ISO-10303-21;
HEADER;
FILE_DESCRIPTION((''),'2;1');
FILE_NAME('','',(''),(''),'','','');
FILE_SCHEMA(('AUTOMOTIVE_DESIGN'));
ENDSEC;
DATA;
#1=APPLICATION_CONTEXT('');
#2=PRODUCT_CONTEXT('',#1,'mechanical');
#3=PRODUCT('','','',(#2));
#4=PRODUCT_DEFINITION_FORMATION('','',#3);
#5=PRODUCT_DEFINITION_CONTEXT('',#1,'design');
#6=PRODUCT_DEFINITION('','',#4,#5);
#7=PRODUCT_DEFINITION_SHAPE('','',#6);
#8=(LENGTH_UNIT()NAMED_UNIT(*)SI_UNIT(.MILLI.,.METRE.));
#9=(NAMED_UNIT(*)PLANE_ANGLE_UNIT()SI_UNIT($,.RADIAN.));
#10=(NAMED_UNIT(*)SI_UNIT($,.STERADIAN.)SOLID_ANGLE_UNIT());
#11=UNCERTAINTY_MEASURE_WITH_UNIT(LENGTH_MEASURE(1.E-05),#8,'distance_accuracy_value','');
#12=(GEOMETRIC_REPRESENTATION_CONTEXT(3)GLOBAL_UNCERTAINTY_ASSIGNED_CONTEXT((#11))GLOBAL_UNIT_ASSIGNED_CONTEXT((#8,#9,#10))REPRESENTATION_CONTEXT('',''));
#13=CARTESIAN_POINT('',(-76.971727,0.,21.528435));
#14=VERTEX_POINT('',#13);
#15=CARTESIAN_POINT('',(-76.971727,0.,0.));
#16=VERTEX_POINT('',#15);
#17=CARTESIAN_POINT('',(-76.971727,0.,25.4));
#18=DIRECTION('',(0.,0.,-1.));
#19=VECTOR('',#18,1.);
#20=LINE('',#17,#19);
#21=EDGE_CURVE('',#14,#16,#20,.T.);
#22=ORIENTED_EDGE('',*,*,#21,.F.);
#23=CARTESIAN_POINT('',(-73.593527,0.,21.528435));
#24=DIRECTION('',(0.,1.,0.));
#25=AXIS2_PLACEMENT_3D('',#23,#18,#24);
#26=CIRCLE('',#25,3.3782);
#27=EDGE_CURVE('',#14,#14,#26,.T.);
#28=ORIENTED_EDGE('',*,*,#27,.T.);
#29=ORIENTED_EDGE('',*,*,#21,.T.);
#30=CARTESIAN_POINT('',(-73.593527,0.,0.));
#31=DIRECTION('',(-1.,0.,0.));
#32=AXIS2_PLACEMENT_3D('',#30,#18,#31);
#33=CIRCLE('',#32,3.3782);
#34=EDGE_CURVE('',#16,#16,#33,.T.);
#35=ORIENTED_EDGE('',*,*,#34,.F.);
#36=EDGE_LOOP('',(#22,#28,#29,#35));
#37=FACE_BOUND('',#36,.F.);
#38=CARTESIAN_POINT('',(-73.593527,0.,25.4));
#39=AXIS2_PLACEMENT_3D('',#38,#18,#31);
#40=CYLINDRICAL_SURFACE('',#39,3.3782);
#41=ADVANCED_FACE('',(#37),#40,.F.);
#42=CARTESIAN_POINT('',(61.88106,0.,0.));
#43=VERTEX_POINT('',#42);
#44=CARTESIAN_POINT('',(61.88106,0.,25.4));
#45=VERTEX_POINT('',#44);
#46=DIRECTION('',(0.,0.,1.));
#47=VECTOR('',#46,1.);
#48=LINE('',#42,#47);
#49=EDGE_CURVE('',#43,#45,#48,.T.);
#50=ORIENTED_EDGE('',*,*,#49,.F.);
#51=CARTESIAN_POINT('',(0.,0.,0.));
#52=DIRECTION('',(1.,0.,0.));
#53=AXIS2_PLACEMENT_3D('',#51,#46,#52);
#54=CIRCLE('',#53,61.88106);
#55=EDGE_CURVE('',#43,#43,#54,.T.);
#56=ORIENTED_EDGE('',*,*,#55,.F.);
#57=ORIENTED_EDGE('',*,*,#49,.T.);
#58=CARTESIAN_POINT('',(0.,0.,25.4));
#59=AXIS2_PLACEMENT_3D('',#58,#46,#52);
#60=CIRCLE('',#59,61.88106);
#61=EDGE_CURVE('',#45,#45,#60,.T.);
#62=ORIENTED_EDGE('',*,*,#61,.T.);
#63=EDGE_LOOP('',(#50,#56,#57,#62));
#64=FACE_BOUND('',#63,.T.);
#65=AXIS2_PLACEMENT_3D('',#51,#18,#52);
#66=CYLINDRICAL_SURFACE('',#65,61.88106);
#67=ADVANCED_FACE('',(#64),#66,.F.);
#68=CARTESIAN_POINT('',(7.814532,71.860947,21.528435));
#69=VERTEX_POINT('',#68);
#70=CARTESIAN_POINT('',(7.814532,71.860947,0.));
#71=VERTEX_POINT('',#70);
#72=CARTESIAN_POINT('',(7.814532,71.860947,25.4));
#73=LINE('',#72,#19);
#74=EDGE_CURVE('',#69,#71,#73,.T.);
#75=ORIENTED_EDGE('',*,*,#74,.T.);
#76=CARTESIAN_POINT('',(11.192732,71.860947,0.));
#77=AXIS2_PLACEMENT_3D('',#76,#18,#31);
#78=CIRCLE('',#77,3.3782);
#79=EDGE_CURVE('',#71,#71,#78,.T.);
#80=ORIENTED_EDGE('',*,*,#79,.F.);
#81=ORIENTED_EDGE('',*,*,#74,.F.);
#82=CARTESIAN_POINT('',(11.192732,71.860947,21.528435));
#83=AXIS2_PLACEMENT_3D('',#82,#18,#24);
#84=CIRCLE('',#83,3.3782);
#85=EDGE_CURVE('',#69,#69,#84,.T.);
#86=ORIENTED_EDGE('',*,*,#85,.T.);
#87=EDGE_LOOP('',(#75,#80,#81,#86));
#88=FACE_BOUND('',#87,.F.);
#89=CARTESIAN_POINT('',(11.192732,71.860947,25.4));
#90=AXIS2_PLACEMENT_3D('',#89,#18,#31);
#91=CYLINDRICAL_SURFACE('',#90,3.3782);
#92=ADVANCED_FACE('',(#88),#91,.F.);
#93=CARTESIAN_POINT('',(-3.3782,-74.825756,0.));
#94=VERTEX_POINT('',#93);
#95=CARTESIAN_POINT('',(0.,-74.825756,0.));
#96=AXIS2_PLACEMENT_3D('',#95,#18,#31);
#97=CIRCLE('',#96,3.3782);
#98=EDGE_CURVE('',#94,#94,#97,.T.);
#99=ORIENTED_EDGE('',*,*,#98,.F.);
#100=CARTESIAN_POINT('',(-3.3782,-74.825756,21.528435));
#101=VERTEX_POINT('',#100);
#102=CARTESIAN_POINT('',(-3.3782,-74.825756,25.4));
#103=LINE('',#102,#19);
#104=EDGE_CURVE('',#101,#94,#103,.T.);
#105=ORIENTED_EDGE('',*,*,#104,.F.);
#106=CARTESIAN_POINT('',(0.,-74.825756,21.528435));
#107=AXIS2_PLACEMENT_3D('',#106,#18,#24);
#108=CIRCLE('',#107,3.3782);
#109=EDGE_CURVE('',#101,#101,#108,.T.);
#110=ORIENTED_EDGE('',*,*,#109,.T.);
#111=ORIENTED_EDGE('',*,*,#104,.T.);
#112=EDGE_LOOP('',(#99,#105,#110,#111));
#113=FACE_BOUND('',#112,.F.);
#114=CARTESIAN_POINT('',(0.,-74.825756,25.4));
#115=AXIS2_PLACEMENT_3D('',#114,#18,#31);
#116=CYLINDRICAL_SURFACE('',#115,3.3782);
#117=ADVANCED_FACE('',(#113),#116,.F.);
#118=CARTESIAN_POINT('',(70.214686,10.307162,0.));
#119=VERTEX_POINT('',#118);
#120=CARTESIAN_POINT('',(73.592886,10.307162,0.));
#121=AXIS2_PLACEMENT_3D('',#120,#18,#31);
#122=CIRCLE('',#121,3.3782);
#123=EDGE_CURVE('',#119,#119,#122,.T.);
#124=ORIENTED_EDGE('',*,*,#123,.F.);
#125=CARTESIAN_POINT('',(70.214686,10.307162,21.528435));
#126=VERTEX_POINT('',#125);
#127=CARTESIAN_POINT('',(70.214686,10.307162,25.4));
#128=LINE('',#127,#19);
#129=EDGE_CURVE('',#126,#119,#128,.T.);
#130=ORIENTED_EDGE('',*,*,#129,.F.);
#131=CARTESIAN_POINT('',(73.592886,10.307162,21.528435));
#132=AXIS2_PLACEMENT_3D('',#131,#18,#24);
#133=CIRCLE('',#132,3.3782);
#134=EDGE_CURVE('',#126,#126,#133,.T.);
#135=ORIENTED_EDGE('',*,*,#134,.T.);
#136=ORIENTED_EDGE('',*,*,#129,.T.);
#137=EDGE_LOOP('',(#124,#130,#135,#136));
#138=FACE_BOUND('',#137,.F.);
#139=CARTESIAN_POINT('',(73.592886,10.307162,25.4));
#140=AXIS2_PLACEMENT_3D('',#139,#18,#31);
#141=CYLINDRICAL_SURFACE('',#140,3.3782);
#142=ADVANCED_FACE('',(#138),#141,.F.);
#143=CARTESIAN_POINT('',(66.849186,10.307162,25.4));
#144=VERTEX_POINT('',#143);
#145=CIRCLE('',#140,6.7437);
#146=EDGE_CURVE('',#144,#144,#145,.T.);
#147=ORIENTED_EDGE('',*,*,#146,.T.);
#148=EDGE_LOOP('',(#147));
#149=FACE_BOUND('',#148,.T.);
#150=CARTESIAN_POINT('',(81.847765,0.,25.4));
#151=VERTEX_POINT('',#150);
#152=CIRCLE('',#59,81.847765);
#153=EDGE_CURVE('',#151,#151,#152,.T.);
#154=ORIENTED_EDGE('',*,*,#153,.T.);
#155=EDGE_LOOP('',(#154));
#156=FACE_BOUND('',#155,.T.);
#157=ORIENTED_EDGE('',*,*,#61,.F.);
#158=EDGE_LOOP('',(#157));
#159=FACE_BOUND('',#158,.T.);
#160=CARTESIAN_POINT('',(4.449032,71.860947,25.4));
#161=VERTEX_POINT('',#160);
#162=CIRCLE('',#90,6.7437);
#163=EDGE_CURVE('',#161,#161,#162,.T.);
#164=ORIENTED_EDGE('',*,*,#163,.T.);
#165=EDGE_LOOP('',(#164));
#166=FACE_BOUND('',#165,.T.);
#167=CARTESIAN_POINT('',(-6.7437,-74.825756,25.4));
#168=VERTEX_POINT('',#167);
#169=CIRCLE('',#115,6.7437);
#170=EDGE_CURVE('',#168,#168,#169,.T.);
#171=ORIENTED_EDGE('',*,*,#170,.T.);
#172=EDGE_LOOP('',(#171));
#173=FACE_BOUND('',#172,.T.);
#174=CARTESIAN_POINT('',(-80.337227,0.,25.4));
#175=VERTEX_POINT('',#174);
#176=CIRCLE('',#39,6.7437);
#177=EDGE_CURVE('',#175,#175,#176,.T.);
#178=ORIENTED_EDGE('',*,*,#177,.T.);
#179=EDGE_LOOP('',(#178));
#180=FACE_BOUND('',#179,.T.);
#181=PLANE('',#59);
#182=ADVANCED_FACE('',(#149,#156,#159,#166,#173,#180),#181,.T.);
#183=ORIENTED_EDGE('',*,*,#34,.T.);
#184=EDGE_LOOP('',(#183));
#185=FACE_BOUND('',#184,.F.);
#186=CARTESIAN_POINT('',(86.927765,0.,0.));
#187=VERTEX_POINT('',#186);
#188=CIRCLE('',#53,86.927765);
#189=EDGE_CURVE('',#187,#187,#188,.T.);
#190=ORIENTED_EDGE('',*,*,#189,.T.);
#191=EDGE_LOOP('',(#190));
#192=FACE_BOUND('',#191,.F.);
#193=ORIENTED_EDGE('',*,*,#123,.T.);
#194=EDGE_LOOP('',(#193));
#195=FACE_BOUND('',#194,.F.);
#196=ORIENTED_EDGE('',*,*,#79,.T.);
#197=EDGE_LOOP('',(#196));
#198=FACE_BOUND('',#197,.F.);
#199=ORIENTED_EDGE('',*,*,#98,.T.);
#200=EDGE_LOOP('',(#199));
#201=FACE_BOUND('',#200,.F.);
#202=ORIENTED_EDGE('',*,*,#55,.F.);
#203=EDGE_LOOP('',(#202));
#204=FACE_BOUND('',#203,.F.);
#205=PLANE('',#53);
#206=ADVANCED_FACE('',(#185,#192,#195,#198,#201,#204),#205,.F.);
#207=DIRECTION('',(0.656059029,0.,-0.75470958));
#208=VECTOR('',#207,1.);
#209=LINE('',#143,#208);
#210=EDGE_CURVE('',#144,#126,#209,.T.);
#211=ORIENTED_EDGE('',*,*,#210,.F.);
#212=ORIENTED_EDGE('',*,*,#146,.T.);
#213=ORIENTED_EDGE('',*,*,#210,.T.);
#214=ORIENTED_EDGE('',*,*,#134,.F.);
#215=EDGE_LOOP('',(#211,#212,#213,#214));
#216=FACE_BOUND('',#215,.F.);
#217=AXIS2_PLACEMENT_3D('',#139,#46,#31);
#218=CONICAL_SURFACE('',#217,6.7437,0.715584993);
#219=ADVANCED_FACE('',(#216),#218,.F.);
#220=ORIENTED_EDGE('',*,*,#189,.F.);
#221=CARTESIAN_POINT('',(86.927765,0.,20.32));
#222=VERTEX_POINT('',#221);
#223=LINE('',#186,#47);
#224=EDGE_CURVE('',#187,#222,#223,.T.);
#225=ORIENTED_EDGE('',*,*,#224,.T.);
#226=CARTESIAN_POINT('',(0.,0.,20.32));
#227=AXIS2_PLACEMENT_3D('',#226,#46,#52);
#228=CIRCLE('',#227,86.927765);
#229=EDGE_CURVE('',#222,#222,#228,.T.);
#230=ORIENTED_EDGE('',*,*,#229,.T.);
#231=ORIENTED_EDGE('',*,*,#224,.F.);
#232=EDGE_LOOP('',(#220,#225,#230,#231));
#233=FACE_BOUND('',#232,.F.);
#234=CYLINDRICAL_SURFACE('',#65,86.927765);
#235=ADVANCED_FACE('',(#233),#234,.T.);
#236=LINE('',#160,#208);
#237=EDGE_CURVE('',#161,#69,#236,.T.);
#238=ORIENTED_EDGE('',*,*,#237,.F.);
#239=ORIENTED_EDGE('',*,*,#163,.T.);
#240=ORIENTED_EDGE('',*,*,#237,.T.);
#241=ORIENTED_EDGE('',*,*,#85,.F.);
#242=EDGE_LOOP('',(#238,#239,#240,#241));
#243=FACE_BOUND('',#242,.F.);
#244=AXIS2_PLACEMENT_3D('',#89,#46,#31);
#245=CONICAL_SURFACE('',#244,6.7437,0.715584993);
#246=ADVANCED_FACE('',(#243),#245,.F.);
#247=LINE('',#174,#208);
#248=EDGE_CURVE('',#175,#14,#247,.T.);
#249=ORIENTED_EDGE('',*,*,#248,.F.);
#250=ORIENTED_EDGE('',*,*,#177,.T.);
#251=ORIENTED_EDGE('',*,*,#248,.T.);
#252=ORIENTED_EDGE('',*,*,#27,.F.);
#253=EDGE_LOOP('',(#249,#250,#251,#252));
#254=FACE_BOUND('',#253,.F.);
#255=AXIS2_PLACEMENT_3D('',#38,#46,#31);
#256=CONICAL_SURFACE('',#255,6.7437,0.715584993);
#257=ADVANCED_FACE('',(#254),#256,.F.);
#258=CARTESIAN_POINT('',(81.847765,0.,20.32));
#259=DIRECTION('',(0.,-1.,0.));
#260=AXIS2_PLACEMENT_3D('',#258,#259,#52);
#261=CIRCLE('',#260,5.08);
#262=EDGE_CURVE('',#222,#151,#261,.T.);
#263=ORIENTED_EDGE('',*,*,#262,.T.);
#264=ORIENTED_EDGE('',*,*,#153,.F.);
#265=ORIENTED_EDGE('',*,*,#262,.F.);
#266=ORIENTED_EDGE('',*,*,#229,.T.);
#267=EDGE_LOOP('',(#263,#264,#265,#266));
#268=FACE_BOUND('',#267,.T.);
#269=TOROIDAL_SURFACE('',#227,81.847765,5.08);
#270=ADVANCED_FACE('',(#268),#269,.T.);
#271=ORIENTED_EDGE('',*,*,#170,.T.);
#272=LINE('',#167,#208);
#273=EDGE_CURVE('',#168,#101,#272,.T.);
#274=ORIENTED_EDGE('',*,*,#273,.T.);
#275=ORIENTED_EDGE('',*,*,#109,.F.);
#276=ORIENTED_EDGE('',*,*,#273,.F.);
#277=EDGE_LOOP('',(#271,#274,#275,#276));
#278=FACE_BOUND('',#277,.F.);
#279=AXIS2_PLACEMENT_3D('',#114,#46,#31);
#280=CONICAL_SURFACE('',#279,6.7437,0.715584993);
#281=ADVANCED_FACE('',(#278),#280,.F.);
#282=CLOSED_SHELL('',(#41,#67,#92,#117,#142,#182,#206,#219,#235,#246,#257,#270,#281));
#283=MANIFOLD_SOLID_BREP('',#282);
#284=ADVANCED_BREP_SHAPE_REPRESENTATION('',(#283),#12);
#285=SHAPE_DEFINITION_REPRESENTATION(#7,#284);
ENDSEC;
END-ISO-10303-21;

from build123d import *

# Parameters (mm, degrees)
F0_R           = 86.927765
F0_R_2         = 61.88106
F1_DEPTH       = 25.4
F3_D           = 6.7564
F3_CSINK_D     = 13.4874
F3_CSINK_ANGLE = 82
F4_R           = 5.08


with BuildPart() as f1:
    # F0 (on Top) → F1 (new body)
    with BuildSketch(Plane.XY):
        Circle(F0_R)
        Circle(F0_R_2, mode=Mode.SUBTRACT)
    extrude(amount=F1_DEPTH)

    # F3 (through all)
    with Locations(Plane.XY.offset(25.4)):
        with Locations((-73.593527, 0), (0, -74.825756), (73.592886, 10.307162), (11.192732, 71.860947)):
            CounterSinkHole(F3_D / 2, F3_CSINK_D / 2, counter_sink_angle=F3_CSINK_ANGLE)

    # F4
    f4_edges = [f1.edges().sort_by_distance(p)[0] for p in [
        (-86.927765, 0, 25.4),
    ]]
    fillet(f4_edges, radius=F4_R)


solid = f1.part
